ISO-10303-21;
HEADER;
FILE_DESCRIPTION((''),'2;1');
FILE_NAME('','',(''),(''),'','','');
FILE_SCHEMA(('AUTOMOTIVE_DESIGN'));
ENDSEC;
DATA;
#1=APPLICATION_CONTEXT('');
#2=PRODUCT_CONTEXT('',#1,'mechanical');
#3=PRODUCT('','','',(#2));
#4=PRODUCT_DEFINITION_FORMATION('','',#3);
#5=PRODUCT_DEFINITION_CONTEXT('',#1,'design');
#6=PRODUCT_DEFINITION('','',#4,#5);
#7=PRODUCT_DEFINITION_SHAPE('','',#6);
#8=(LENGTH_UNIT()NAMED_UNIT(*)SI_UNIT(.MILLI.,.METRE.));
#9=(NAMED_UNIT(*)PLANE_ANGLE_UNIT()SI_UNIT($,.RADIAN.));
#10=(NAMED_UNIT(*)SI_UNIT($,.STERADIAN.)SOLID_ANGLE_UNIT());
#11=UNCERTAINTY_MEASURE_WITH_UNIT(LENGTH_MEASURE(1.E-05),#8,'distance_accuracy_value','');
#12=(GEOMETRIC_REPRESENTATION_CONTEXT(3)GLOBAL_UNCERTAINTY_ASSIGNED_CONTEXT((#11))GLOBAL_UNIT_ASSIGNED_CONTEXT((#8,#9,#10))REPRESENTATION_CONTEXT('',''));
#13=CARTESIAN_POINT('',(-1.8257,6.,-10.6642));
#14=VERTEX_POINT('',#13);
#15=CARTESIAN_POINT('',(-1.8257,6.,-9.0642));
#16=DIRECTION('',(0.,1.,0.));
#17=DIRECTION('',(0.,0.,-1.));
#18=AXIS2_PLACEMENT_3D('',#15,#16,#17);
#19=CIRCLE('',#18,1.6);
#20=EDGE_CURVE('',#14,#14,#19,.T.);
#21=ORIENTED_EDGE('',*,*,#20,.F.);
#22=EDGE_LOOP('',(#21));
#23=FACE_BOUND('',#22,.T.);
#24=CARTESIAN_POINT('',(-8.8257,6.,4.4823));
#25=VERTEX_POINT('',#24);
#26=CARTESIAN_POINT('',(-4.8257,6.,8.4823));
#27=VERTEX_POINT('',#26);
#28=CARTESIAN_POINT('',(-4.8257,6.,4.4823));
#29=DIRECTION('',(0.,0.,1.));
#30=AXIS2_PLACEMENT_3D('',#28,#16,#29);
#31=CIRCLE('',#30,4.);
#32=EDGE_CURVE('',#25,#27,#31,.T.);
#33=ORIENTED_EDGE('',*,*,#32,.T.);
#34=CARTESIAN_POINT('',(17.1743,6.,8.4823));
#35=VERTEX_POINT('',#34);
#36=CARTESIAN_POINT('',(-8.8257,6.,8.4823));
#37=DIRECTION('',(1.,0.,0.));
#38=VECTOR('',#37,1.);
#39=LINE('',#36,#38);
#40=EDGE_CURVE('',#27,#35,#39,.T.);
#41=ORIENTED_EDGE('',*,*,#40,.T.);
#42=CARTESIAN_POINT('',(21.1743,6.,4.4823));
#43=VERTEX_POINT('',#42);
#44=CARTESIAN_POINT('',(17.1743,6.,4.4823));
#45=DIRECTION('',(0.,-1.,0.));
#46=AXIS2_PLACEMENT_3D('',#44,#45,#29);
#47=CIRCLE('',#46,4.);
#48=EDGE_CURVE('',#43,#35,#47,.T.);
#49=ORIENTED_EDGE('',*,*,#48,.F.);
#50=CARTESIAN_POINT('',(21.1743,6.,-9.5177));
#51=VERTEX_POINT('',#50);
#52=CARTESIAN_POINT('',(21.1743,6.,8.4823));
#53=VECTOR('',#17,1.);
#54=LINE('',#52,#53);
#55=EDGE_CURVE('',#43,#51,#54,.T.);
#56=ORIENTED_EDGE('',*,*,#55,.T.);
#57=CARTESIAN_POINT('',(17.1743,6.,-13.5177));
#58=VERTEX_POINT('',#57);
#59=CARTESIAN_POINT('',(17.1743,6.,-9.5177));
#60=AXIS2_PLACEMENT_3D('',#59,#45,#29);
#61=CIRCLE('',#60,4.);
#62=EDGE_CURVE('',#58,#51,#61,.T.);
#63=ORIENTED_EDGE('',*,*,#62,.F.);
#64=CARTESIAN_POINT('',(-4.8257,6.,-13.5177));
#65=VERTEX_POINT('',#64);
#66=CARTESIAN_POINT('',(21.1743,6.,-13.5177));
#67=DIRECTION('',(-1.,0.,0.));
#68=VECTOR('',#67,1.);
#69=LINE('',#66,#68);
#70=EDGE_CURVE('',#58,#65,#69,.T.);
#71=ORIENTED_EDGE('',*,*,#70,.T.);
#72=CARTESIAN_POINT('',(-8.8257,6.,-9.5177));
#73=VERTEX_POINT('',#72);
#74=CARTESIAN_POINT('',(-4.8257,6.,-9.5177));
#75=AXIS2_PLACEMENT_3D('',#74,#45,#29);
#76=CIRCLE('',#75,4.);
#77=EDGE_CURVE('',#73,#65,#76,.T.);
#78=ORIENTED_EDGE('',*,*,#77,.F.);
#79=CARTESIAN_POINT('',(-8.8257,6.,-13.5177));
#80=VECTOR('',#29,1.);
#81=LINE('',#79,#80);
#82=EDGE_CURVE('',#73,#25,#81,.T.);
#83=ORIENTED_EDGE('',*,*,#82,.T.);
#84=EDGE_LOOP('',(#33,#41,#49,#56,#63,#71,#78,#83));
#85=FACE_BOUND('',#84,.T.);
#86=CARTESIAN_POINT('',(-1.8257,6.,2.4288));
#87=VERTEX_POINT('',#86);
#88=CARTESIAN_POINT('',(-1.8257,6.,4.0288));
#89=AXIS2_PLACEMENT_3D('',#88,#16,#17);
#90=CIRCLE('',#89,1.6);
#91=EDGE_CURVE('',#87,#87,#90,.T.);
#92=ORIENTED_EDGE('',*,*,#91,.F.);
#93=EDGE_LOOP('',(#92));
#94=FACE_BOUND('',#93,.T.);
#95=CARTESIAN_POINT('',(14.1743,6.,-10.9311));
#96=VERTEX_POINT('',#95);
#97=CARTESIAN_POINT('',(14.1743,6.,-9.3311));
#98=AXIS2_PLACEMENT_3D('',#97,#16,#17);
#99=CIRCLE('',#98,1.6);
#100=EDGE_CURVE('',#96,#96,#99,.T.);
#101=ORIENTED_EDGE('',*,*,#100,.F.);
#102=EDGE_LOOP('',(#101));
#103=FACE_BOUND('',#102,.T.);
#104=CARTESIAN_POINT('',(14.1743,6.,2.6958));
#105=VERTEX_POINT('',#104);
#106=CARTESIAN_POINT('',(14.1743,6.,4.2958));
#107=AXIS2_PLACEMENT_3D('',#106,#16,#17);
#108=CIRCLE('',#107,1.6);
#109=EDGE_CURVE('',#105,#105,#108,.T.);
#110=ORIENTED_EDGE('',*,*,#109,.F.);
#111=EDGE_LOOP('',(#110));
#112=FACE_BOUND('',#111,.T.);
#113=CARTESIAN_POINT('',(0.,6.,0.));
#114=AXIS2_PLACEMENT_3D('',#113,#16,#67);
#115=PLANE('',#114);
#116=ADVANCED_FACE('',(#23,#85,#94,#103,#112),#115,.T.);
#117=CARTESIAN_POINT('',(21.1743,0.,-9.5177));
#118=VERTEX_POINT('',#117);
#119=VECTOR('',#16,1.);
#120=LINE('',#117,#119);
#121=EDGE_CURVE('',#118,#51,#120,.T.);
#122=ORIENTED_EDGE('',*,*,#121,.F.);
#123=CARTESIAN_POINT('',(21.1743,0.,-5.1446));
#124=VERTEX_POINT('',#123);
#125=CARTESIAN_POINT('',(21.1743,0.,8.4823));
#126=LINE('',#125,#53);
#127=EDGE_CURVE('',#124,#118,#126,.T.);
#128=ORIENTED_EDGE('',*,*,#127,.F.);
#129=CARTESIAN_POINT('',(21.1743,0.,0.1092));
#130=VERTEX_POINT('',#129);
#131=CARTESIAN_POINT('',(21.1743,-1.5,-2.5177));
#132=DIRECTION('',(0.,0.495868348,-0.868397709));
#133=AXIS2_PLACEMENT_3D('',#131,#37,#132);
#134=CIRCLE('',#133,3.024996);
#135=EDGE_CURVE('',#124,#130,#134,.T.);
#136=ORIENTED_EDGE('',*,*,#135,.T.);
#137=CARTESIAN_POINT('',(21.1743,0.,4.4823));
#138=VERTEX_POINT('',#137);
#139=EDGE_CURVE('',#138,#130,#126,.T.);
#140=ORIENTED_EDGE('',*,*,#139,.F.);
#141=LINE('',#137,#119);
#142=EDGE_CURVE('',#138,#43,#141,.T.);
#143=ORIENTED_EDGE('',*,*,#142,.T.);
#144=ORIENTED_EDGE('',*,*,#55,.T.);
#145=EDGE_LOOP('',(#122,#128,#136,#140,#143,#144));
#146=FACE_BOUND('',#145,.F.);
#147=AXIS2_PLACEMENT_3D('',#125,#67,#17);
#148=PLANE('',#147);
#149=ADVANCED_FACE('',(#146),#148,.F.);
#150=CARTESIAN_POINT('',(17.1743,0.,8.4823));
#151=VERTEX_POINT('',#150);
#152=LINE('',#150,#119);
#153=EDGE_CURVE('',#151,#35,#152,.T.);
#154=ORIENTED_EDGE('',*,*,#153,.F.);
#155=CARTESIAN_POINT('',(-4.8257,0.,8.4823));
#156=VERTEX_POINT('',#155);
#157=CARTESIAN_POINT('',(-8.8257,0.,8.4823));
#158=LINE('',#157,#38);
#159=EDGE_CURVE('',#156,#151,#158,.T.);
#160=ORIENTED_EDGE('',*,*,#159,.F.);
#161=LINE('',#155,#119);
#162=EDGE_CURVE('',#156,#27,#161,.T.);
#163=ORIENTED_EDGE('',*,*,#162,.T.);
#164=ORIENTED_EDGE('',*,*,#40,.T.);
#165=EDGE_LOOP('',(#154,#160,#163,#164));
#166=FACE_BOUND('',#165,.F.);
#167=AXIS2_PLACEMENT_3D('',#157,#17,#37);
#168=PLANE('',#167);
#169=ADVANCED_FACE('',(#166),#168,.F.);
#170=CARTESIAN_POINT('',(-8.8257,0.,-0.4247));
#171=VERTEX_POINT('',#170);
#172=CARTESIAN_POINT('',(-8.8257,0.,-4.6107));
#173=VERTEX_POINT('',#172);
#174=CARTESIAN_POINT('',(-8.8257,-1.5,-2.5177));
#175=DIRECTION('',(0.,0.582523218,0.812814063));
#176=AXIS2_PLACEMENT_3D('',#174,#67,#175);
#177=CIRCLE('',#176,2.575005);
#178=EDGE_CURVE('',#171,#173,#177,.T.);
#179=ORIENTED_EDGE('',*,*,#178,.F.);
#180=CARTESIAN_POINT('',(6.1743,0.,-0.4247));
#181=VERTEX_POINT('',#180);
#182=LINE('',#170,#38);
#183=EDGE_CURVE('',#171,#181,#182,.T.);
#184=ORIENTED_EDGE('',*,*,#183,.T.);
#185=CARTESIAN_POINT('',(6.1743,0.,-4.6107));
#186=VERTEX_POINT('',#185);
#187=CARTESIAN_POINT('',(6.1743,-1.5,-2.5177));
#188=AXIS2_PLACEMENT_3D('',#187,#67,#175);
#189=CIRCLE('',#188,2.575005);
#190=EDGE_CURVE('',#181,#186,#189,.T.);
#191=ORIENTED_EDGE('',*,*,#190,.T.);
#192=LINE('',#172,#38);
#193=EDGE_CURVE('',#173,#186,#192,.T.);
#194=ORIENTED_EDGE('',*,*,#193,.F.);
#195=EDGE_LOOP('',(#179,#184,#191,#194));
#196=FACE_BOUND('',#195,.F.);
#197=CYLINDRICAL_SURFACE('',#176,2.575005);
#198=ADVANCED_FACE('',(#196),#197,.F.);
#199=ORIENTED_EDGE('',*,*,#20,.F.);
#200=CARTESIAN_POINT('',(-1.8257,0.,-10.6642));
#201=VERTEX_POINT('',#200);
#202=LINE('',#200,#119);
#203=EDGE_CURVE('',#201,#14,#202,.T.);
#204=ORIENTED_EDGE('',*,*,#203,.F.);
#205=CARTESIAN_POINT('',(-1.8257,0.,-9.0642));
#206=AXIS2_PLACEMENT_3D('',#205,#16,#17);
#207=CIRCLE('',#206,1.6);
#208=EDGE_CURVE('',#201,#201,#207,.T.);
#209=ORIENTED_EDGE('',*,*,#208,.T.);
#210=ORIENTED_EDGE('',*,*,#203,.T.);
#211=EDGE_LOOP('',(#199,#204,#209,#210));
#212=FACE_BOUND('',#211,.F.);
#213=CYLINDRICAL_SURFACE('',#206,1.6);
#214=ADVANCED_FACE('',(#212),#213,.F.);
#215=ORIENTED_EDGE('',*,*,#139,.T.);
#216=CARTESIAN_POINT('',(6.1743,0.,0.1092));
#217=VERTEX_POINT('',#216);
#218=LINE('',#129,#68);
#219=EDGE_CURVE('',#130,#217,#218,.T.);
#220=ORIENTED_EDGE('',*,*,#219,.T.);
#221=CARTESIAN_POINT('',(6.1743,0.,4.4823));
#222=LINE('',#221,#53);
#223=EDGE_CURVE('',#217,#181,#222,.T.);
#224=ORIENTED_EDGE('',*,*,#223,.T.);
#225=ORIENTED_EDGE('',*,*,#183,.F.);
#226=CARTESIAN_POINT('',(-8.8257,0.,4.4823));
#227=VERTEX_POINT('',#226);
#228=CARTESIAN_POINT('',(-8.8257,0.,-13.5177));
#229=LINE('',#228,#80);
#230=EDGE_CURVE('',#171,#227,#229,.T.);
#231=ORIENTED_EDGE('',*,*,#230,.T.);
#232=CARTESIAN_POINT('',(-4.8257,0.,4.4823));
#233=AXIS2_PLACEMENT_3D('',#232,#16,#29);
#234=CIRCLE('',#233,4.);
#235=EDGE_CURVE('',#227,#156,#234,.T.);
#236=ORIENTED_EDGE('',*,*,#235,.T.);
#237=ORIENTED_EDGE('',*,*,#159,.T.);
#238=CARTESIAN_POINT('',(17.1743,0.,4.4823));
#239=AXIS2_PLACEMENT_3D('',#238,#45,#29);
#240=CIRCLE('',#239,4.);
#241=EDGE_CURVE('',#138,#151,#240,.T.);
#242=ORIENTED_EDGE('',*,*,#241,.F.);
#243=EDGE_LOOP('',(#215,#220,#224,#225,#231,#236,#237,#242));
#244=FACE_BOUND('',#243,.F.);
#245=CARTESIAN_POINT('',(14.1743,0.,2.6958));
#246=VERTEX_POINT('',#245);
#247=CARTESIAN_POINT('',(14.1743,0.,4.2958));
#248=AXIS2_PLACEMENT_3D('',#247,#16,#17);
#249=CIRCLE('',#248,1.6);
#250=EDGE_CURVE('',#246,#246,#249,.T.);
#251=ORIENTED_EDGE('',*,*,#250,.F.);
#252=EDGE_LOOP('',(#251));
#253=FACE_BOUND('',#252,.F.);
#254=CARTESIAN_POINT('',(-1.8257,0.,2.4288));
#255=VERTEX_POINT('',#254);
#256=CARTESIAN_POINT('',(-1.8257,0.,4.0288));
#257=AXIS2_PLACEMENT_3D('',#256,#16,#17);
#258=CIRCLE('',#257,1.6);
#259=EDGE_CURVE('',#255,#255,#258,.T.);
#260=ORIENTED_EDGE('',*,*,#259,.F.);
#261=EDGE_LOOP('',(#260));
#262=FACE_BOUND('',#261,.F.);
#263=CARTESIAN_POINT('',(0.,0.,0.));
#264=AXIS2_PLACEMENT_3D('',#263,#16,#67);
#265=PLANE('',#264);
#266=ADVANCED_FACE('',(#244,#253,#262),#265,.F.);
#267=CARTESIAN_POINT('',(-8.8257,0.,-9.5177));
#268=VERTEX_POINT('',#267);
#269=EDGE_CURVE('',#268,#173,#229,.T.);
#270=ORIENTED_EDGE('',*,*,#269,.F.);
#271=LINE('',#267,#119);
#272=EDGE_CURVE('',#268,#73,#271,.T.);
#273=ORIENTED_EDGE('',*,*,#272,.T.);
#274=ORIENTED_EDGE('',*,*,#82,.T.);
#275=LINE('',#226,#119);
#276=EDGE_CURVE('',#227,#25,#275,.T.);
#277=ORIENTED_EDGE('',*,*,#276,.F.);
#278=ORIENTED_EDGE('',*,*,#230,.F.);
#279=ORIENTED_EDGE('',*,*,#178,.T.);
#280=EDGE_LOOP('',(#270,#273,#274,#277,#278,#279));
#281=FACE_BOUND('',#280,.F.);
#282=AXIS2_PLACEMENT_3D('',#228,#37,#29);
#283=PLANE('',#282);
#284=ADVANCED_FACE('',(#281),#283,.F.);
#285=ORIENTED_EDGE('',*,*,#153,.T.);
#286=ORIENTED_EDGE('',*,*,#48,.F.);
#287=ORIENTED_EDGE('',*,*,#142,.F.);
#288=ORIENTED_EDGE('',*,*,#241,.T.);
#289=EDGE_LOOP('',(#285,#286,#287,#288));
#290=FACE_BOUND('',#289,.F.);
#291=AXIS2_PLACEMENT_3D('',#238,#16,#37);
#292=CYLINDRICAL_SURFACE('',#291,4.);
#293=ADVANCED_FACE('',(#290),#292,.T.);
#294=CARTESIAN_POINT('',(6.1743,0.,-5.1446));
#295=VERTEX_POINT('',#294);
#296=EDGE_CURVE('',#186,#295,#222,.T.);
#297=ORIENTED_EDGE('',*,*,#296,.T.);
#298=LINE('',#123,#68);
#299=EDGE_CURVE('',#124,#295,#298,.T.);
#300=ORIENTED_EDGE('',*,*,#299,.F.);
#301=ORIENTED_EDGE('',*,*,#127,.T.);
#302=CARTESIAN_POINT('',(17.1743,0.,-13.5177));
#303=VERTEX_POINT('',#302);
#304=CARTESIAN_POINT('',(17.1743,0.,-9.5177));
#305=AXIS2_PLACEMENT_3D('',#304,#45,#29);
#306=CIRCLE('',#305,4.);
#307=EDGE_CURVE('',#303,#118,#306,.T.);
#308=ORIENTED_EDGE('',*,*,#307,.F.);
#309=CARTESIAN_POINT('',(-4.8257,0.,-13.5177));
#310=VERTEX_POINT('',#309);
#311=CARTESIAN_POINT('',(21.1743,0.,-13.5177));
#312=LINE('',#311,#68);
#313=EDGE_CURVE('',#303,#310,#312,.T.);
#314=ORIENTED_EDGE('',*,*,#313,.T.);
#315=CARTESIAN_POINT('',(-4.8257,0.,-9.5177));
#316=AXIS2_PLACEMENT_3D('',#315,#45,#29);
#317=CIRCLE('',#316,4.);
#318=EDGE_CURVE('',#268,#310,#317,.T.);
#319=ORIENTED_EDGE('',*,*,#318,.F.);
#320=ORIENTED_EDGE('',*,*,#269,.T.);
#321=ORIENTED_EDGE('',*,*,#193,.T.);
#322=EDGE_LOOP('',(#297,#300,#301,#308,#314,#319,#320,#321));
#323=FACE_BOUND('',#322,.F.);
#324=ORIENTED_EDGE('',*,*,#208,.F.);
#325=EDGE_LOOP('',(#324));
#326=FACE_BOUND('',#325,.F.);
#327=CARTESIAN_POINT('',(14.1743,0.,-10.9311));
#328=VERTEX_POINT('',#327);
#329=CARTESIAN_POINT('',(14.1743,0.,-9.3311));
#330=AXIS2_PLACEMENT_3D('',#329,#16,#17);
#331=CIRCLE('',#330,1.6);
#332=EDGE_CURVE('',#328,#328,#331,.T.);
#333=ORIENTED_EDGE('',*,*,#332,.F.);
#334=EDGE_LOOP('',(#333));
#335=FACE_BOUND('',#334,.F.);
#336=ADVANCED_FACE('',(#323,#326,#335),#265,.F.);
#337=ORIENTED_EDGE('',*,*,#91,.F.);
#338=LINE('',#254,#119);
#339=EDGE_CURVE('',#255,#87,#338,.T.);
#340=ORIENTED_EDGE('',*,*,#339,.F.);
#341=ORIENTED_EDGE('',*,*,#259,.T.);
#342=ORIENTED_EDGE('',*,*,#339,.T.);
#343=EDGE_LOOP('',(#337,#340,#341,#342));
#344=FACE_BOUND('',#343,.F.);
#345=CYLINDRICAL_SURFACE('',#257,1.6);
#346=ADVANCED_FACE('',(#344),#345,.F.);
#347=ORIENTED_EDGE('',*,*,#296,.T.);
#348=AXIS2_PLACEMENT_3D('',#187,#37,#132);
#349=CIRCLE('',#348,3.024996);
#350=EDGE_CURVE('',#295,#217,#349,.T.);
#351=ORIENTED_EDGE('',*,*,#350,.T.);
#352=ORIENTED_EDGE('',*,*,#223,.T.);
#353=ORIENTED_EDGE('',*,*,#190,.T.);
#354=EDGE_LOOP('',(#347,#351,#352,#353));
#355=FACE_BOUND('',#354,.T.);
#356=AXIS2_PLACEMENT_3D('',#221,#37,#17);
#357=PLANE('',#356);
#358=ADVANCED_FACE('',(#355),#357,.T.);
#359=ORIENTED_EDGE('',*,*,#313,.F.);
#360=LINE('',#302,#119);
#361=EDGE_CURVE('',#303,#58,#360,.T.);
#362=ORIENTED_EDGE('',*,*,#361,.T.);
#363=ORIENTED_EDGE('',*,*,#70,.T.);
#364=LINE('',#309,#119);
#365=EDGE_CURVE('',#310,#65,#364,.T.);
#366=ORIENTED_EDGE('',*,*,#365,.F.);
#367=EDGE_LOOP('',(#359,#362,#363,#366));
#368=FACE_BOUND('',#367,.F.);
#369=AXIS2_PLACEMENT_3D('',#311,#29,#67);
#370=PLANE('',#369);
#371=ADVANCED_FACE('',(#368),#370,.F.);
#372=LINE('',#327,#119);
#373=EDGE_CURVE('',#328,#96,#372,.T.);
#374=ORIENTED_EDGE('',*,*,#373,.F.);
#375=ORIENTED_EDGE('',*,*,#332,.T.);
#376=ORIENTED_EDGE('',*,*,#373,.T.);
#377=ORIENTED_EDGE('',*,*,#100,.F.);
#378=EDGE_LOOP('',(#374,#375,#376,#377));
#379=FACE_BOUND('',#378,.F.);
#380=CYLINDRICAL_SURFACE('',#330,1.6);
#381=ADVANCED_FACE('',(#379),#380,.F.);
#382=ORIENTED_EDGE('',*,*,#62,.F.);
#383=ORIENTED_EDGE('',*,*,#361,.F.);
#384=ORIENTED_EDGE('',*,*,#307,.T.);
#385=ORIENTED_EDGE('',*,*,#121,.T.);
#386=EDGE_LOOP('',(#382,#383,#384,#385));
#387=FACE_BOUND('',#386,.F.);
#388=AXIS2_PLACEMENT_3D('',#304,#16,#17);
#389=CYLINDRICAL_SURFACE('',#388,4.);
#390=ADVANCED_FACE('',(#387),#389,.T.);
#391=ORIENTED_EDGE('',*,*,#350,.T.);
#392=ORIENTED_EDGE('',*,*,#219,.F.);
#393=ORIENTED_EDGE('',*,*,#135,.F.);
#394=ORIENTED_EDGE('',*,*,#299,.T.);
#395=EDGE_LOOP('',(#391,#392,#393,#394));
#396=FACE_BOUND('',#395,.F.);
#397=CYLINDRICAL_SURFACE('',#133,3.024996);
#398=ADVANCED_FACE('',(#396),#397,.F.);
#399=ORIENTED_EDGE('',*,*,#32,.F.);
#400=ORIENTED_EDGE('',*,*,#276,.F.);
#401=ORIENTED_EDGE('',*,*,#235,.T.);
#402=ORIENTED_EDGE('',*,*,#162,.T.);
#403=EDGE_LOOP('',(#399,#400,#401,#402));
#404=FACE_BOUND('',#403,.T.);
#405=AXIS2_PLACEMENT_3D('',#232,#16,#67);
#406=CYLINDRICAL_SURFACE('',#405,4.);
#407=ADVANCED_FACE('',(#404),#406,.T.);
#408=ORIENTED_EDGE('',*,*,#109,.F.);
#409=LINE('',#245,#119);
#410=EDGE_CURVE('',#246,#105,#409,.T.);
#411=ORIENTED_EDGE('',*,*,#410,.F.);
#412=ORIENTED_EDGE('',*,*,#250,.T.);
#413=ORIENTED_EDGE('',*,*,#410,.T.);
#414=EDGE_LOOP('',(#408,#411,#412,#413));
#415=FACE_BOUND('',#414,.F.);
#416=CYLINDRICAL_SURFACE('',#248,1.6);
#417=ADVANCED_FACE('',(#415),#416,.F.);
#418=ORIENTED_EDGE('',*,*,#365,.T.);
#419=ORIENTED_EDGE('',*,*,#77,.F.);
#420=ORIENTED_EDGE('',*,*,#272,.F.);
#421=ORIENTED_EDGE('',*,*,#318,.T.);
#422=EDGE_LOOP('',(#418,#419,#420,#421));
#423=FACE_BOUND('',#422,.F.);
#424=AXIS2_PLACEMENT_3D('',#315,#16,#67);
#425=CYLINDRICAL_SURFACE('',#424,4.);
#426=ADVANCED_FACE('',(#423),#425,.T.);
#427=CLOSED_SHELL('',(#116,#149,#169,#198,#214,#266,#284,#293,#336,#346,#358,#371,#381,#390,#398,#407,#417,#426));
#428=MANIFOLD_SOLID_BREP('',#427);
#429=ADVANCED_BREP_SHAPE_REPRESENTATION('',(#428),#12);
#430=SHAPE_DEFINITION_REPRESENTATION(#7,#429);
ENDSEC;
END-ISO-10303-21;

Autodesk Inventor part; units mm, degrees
ref_plane "YZ Plane" through (0, 0, 0) normal (1, 0, 0) x (0, 1, 0)
ref_plane "XZ Plane" through (0, 0, 0) normal (0, 1, 0) x (-1, 0, 0)
ref_plane "XY Plane" through (0, 0, 0) normal (0, 0, 1) x (1, 0, 0)
sketch "Sketch1" plane through (0, 0, 0) normal (0, 1, 0) x (-1, 0, 0)
  line L0 (8.8257, 8.4823) -> (-21.1743, 8.4823)
  line L1 (-21.1743, 8.4823) -> (-21.1743, -13.5177)
  line L2 (-21.1743, -13.5177) -> (8.8257, -13.5177)
  line L3 (8.8257, -13.5177) -> (8.8257, 8.4823)
  point P0 (0, 0)
  dimension "d0" = 30
  dimension "d1" = 22
extrude "Extrusion1" add sketch "Sketch1" along normal blind 6
fillet "Fillet1" radius 4 4 edges at (21.1743, 3, 8.4823) (21.1743, 3, -13.5177) (-8.8257, 3, -13.5177) (-8.8257, 3, 8.4823)
sketch "Sketch3" plane through (21.1743, 0, 4.4823) normal (1, 0, 0) x (0, 0, -1)
  line L0 (0, 0) -> (14, 0) projected
  line L1 (0, 6) -> (14, 6) projected
  line L2 (14, 6) -> (14, 0)
  line L3 (0, 0) -> (0, 6) projected
  line L4 (0, 0) -> (0, 6)
  line L5 (0, 6) -> (14, 6)
  arc A0 (9.6269, 0) -> (4.3731, 0) centre (7, -1.5) ccw
  dimension "d35" = 7
  dimension "d37" = 6.05
  dimension "d40" = 1.5
  dimension "d41" = 14
sketch "Sketch4" plane through (-8.8257, 0, -9.5177) normal (-1, 0, 0) x (0, 0, 1)
  line L0 (0, 0) -> (14, 0) projected
  line L1 (0, 0) -> (14, 0)
  line L2 (0, 6) -> (0, 0) projected
  line L3 (0, 0) -> (0, 6)
  line L4 (14, 6) -> (0, 6) projected
  line L5 (0, 6) -> (14, 6)
  line L6 (14, 0) -> (14, 6) projected
  line L7 (14, 6) -> (14, 0)
  arc A0 (9.093, 0) -> (4.907, 0) centre (7, -1.5) ccw
  dimension "d31" = 7
  dimension "d32" = 5.15
  dimension "d42" = 14
  dimension "d43" = 1.5
extrude "Extrusion5" cut sketch "Sketch4" against normal blind 15 contours A0 L0
extrude "Extrusion6" cut sketch "Sketch3" against normal blind 15 contours A0 L0
sketch "Szkic5" plane through (0, 0, 0) normal (0, -1, 0) x (1, 0, 0)
  line L0 (6.1743, 0.1092) -> (21.1743, 0.1092) projected
  line L1 (21.1743, 4.4823) -> (21.1743, 0.1092) projected
  arc A0 (21.1743, 4.4823) -> (17.1743, 8.4823) centre (17.1743, 4.4823) ccw projected
  line L2 (-4.8257, 8.4823) -> (17.1743, 8.4823) projected
  arc A1 (-4.8257, 8.4823) -> (-8.8257, 4.4823) centre (-4.8257, 4.4823) ccw projected
  line L3 (-8.8257, -0.4247) -> (-8.8257, 4.4823) projected
  line L4 (-8.8257, -0.4247) -> (6.1743, -0.4247) projected
  line L5 (6.1743, -0.4247) -> (6.1743, 0.1092) projected
  line L6 (21.1743, -5.1446) -> (6.1743, -5.1446) projected
  line L7 (6.1743, -5.1446) -> (6.1743, -4.6107) projected
  line L8 (6.1743, -4.6107) -> (-8.8257, -4.6107) projected
  line L9 (-8.8257, -9.5177) -> (-8.8257, -4.6107) projected
  arc A2 (-8.8257, -9.5177) -> (-4.8257, -13.5177) centre (-4.8257, -9.5177) ccw projected
  line L10 (17.1743, -13.5177) -> (-4.8257, -13.5177) projected
  arc A3 (17.1743, -13.5177) -> (21.1743, -9.5177) centre (17.1743, -9.5177) ccw projected
  line L11 (21.1743, -5.1446) -> (21.1743, -9.5177) projected
  point P0 (0, 0)
  point P1 (14.1743, 4.2958)
  point P2 (-1.8257, 4.0288)
  point P3 (14.1743, -9.3311)
  point P4 (-1.8257, -9.0642)
  dimension "d44" = 7
  dimension "d45" = 7
  dimension "d46" = 15
  dimension "d47" = 15
  dimension "d48" = 7
  dimension "d49" = 7
  dimension "d50" = 4.4535
  dimension "d51" = 4.4535
  dimension "d52" = 4.1866
  dimension "d53" = 4.1866
  dimension "d61" = 8.3731
  dimension "d62" = 8.907
hole "Otwór2" at (14.1743, 0, 4.2958) at (-1.8257, 0, 4.0288) at (14.1743, 0, -9.3311) at (-1.8257, 0, -9.0642) direction (0, 1, 0) diameter 3.2 end through all
equation "\"d35\" = 0.5 * d41"
equation "\"d31\" = 0.5 * d42"
equation "\"d45\" = d44"
equation "\"d49\" = d48"
equation "\"d50\" = 0.5 * d62"
equation "\"d51\" = d50"
equation "\"d52\" = 0.5 * d61"
equation "\"d53\" = d52"
properties part number "3DP_ABS_Z_Axis_Screw_Coupler"
